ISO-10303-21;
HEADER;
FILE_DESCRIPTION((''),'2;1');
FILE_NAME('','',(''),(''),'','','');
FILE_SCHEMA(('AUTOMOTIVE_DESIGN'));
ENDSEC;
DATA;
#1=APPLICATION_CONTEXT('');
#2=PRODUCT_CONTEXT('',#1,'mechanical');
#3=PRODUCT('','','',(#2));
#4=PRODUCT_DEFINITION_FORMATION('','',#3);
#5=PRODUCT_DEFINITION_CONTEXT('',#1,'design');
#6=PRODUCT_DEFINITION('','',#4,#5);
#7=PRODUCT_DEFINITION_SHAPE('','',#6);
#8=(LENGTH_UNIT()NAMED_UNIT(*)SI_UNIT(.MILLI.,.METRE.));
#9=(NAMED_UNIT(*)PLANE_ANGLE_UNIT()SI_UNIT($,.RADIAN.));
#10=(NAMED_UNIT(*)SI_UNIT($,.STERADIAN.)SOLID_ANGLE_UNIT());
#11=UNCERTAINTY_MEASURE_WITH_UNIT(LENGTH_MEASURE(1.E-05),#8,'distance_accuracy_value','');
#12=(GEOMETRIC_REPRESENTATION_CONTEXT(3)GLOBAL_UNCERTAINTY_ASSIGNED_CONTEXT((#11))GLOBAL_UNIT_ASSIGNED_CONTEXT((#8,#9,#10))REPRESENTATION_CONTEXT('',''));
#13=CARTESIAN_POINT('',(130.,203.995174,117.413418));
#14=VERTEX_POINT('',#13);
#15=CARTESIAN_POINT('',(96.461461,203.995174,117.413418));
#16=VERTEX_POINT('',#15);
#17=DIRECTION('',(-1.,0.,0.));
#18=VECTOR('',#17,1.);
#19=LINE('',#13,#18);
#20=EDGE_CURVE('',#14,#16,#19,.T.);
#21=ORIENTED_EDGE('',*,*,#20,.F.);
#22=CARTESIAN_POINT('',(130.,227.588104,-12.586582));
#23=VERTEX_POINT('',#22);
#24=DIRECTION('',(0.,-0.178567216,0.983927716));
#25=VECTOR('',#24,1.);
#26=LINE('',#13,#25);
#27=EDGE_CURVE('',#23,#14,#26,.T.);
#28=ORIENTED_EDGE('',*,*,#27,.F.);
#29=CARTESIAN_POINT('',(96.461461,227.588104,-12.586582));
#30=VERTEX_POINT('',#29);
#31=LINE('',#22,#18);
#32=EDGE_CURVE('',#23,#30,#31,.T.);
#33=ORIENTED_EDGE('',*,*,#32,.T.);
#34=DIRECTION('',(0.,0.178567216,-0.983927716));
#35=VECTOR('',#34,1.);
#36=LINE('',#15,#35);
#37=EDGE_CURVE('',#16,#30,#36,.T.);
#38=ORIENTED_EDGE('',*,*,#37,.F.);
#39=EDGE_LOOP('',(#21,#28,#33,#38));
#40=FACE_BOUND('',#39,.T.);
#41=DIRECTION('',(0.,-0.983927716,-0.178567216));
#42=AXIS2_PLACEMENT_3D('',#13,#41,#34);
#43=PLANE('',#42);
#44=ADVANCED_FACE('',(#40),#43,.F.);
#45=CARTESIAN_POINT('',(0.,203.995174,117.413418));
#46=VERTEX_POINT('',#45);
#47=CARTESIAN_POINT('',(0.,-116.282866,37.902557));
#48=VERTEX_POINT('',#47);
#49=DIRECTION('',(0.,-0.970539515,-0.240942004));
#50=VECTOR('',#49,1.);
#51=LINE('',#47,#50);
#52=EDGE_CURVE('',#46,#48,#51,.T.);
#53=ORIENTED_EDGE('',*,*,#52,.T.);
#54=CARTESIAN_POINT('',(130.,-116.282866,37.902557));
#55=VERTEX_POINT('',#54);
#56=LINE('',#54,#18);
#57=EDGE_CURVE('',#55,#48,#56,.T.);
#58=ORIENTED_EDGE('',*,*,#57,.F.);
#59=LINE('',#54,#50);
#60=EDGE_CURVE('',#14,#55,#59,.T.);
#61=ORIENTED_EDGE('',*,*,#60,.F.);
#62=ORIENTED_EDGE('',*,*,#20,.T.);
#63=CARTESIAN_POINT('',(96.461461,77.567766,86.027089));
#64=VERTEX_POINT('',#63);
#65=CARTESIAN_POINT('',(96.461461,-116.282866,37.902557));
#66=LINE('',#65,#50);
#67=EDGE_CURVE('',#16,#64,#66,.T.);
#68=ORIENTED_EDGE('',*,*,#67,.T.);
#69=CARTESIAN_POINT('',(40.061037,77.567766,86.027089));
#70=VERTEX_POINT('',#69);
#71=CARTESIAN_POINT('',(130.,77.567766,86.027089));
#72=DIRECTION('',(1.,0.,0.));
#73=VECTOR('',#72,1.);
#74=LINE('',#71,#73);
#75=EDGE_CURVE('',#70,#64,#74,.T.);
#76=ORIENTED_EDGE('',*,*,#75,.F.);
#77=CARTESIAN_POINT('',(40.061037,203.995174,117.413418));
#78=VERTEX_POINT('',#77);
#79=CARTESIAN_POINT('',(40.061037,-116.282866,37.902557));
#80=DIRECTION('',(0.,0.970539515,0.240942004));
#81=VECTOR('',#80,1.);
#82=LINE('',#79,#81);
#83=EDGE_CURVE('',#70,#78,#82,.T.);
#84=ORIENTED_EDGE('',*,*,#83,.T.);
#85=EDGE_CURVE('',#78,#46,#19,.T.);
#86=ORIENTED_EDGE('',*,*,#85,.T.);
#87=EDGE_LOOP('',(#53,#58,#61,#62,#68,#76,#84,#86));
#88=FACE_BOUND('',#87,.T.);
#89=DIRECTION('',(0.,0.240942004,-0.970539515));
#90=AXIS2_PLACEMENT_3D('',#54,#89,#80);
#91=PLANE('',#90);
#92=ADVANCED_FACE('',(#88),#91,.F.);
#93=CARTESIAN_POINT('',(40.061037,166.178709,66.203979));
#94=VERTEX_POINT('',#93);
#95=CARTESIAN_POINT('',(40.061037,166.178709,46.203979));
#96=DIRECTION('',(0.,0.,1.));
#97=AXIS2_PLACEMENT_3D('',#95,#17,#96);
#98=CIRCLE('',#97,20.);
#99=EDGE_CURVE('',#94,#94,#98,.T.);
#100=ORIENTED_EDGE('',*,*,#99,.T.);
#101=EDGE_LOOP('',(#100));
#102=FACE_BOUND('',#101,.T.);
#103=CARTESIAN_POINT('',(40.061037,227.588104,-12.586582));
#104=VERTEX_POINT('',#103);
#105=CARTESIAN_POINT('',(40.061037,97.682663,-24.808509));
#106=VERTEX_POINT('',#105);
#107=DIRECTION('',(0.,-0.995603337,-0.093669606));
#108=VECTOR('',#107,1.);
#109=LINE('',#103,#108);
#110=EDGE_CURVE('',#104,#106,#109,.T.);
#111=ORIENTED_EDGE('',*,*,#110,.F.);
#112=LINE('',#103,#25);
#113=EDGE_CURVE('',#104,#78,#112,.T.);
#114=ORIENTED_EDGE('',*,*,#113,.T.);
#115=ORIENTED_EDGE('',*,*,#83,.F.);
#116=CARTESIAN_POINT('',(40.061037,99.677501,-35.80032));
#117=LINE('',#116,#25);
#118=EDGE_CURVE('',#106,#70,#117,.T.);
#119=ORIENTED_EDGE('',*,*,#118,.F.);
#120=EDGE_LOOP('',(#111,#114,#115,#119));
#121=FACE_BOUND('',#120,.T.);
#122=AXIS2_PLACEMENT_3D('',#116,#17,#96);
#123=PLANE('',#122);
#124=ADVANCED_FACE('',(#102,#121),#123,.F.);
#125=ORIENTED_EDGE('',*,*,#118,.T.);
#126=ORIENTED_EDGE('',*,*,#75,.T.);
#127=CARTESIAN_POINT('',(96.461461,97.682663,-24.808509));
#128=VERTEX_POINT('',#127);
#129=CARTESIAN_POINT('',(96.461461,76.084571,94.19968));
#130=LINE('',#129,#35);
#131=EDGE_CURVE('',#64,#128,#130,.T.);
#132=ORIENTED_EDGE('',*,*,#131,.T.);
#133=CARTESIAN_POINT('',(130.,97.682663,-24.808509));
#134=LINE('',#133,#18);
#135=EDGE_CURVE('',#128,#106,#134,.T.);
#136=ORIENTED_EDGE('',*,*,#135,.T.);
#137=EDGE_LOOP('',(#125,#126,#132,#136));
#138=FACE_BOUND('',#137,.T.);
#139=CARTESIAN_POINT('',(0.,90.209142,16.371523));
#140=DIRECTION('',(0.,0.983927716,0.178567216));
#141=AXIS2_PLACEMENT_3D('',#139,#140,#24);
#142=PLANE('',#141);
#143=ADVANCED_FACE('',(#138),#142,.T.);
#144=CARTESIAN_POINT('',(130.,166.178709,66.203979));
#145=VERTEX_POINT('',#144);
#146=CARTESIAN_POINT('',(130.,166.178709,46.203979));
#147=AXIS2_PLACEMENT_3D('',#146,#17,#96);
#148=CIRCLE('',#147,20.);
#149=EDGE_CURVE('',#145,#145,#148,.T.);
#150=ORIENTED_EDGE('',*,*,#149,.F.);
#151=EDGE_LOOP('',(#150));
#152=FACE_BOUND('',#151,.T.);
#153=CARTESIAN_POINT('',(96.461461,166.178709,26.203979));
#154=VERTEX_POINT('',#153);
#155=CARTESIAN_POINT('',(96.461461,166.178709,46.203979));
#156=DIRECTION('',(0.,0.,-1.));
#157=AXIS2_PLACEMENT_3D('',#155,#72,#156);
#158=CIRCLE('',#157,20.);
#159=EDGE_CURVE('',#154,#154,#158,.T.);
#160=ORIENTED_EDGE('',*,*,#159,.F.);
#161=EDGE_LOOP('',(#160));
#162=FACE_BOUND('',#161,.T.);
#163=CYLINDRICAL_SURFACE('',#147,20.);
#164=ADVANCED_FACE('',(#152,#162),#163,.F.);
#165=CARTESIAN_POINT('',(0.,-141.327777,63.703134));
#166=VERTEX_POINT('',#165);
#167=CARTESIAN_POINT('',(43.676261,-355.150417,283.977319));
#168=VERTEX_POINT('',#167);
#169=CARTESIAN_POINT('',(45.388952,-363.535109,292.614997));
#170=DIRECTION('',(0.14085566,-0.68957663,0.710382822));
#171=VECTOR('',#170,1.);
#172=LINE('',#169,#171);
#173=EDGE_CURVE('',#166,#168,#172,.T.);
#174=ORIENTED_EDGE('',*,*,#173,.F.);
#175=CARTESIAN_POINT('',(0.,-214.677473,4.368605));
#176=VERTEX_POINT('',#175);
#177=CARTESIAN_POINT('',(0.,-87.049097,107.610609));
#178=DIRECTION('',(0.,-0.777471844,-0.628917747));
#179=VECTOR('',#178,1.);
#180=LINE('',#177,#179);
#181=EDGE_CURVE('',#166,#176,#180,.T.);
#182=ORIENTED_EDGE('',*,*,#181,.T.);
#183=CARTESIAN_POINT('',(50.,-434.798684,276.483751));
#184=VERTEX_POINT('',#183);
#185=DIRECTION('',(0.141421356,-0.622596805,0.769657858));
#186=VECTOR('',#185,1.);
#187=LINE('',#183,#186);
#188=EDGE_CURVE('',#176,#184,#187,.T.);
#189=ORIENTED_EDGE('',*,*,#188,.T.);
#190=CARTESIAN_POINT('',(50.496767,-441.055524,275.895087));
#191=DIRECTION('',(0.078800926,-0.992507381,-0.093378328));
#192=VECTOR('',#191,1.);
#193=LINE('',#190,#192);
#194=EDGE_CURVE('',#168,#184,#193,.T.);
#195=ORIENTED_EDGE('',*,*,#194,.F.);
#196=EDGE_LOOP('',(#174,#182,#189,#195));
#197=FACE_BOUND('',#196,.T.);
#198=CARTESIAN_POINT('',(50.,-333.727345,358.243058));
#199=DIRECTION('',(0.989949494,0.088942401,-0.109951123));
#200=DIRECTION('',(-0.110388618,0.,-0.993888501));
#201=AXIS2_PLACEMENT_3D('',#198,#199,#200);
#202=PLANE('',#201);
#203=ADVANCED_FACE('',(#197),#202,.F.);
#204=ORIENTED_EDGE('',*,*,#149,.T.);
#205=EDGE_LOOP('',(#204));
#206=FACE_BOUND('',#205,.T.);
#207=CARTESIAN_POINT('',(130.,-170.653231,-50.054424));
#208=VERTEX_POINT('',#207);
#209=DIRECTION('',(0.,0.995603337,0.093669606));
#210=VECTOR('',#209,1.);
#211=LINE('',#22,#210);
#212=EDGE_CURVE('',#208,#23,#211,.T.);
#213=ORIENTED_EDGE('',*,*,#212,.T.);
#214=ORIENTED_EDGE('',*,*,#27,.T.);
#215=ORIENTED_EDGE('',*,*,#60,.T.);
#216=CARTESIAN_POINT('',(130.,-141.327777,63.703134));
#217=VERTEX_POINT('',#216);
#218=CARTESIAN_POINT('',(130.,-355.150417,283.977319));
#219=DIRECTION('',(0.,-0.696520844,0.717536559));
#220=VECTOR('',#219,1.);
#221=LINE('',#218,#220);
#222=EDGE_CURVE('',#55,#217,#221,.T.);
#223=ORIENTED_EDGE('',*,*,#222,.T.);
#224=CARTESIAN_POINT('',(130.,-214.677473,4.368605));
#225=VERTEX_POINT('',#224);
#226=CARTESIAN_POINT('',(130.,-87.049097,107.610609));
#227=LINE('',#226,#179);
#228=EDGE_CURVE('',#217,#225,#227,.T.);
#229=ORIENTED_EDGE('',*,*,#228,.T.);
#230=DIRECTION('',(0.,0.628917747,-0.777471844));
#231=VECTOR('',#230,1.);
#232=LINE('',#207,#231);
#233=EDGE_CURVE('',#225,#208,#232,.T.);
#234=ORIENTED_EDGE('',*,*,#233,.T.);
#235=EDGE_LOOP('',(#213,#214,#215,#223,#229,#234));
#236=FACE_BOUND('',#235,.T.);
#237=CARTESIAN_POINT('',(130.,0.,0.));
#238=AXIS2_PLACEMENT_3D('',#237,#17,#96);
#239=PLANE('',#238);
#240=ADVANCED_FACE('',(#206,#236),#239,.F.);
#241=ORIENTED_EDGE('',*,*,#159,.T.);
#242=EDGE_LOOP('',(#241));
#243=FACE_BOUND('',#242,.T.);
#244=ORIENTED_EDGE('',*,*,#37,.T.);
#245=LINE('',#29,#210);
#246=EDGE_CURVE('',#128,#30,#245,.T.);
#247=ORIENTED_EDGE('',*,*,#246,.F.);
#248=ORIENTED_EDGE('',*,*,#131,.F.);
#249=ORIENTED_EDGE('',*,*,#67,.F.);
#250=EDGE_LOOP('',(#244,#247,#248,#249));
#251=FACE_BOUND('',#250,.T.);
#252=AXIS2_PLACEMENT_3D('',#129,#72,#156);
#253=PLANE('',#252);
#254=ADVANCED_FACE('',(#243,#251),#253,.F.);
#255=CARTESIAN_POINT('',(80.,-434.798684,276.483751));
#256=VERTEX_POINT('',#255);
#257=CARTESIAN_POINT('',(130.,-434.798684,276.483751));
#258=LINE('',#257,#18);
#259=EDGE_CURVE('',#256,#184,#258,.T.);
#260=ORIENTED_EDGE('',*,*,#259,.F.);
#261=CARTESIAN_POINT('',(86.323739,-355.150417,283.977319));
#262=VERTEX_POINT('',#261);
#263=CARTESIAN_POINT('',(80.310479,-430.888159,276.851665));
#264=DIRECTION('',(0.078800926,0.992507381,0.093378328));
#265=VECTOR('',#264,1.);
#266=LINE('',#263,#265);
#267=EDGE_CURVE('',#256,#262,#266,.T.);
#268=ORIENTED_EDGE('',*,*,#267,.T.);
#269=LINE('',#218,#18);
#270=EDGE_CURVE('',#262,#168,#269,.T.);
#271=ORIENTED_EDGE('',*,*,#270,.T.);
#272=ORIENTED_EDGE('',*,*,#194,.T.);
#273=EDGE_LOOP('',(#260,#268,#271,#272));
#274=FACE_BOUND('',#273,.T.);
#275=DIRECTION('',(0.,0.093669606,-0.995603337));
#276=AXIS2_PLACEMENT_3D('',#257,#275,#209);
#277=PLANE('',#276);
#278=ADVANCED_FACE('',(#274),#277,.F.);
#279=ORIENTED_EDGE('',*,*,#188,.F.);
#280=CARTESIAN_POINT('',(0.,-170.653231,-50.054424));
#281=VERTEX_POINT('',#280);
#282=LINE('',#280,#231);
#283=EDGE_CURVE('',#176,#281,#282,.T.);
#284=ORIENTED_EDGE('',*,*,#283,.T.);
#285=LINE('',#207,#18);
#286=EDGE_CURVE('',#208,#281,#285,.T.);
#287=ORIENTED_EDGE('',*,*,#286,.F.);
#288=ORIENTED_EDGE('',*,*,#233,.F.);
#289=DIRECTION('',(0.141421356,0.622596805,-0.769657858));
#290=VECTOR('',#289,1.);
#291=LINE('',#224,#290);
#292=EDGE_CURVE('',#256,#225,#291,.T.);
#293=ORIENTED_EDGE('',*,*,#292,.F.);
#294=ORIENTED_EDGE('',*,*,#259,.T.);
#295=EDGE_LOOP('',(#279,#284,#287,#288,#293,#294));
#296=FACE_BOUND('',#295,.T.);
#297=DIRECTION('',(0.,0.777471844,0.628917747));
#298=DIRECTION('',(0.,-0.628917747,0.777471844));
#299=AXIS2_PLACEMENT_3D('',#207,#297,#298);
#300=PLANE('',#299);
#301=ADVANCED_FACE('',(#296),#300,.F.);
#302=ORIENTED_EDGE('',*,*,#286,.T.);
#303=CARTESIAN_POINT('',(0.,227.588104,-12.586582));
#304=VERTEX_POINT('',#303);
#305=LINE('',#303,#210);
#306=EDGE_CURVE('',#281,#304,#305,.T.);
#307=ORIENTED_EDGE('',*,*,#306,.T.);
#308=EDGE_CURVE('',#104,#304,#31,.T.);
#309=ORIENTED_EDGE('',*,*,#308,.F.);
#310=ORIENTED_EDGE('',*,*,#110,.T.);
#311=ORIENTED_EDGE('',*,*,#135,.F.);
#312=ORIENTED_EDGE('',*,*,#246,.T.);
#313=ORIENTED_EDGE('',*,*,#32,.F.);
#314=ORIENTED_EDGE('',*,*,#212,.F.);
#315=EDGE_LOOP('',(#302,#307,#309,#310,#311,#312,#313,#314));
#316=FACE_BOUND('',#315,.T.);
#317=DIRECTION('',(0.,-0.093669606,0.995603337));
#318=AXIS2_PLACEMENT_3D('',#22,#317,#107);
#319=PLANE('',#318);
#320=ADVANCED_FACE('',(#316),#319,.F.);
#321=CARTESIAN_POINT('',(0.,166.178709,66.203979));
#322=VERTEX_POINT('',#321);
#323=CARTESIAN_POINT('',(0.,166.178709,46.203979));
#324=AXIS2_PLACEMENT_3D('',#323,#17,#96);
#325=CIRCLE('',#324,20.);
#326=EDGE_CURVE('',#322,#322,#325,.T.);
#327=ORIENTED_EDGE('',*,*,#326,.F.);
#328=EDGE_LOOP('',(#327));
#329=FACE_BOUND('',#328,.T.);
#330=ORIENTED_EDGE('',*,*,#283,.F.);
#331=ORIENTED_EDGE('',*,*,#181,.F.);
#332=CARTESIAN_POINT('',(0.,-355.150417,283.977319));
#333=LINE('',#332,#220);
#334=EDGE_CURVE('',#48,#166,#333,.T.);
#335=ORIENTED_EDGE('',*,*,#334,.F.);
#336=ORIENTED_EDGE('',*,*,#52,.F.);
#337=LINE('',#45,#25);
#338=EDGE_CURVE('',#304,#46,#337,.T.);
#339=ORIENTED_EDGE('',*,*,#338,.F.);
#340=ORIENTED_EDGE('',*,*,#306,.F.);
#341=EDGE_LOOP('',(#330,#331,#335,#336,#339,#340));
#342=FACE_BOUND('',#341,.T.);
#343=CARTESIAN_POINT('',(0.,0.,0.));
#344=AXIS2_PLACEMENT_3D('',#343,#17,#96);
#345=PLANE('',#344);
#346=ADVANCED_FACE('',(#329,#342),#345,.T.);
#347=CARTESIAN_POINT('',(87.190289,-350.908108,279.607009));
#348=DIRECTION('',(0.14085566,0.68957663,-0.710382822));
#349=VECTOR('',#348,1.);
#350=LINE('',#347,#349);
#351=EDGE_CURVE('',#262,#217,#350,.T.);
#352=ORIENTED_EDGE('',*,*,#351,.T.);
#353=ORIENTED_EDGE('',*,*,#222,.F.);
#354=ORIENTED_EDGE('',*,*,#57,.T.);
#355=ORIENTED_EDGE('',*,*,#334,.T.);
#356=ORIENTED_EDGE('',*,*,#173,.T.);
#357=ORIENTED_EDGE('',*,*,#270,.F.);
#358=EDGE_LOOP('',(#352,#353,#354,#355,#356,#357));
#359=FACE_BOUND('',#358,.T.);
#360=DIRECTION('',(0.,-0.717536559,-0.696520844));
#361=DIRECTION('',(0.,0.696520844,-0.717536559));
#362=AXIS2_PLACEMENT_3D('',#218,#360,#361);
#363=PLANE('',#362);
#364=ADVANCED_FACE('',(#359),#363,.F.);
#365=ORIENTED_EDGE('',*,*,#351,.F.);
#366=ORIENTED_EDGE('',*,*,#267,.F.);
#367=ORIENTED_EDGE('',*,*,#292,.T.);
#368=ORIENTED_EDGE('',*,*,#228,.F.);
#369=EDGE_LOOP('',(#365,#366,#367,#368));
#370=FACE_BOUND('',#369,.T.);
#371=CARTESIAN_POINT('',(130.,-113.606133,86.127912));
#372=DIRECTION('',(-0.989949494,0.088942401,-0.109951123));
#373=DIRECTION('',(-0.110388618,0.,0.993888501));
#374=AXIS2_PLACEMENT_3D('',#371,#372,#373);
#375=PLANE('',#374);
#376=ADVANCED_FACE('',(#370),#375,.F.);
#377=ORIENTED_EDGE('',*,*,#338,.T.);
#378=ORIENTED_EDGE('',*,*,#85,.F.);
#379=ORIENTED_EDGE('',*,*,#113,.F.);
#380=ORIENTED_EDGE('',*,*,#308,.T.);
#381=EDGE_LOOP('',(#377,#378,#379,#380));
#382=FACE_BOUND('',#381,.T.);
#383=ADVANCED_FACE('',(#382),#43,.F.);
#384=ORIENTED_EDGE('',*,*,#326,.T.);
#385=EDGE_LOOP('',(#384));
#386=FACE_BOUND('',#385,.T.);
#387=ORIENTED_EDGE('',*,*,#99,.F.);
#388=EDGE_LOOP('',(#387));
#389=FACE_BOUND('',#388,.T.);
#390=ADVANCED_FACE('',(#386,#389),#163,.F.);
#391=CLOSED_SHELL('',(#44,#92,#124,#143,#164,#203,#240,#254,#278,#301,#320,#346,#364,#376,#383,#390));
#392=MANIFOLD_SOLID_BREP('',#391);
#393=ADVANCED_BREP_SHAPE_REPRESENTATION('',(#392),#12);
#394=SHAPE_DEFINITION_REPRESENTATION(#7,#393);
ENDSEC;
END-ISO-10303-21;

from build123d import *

# Parameters (mm, degrees)
EXTRUDE_1_DEPTH     = 130
CUT_EXTRUDE_1_DEPTH = 130
SKETCH_3_W          = 56.400423759
SKETCH_3_H          = 132.12352691
CUT_EXTRUDE_2_DEPTH = 130
SKETCH_4_R          = 20
CUT_EXTRUDE_4_DEPTH = 536.34382743


with BuildPart() as part:
    # 草图1 → 凸台-拉伸1 (new body)
    with BuildSketch(Plane(origin=(0, 0, 0), x_dir=(0, 0, -1), z_dir=(1, 0, 0))):
        Polygon((-117.413418414, 203.995173877), (12.586581586, 227.58810424), (50.05442381, -170.65323063), (-276.483750531, -434.798684306), (-283.977318976, -355.150417332), (-37.902557252, -116.282866203), align=None)
    extrude(amount=EXTRUDE_1_DEPTH)

    # 草图2 → 切除-拉伸1 (cut)
    with BuildSketch(Plane(origin=(0, -127.628376299, -103.242003565), x_dir=(1, 0, 0), z_dir=(0, -0.7774718436693089, -0.6289177468488591))):
        Polygon((130, 138.410940137), (80, 488.410940137), (130, 488.410940137), align=None)
        Polygon((50, 488.410940137), (0, 138.410940137), (0, 488.410940137), align=None)
    extrude(amount=-CUT_EXTRUDE_1_DEPTH, mode=Mode.SUBTRACT)

    # 草图3 → 切除-拉伸2 (cut)
    with BuildSketch(Plane(origin=(0, 218.119745355, 39.585261254), x_dir=(1, 0, 0), z_dir=(0, 0.9839277155275394, 0.17856721596294645))):
        with Locations((68.261248993, -13.037702829)):
            Rectangle(SKETCH_3_W, SKETCH_3_H)
    extrude(amount=-CUT_EXTRUDE_2_DEPTH, mode=Mode.SUBTRACT)

    # 草图4 → 切除-拉伸4 (cut, through all)
    with BuildSketch(Plane.ZY):
        with Locations((46.203978927, 166.178708675)):
            Circle(SKETCH_4_R)
    extrude(amount=-CUT_EXTRUDE_4_DEPTH, mode=Mode.SUBTRACT)


solid = part.part
